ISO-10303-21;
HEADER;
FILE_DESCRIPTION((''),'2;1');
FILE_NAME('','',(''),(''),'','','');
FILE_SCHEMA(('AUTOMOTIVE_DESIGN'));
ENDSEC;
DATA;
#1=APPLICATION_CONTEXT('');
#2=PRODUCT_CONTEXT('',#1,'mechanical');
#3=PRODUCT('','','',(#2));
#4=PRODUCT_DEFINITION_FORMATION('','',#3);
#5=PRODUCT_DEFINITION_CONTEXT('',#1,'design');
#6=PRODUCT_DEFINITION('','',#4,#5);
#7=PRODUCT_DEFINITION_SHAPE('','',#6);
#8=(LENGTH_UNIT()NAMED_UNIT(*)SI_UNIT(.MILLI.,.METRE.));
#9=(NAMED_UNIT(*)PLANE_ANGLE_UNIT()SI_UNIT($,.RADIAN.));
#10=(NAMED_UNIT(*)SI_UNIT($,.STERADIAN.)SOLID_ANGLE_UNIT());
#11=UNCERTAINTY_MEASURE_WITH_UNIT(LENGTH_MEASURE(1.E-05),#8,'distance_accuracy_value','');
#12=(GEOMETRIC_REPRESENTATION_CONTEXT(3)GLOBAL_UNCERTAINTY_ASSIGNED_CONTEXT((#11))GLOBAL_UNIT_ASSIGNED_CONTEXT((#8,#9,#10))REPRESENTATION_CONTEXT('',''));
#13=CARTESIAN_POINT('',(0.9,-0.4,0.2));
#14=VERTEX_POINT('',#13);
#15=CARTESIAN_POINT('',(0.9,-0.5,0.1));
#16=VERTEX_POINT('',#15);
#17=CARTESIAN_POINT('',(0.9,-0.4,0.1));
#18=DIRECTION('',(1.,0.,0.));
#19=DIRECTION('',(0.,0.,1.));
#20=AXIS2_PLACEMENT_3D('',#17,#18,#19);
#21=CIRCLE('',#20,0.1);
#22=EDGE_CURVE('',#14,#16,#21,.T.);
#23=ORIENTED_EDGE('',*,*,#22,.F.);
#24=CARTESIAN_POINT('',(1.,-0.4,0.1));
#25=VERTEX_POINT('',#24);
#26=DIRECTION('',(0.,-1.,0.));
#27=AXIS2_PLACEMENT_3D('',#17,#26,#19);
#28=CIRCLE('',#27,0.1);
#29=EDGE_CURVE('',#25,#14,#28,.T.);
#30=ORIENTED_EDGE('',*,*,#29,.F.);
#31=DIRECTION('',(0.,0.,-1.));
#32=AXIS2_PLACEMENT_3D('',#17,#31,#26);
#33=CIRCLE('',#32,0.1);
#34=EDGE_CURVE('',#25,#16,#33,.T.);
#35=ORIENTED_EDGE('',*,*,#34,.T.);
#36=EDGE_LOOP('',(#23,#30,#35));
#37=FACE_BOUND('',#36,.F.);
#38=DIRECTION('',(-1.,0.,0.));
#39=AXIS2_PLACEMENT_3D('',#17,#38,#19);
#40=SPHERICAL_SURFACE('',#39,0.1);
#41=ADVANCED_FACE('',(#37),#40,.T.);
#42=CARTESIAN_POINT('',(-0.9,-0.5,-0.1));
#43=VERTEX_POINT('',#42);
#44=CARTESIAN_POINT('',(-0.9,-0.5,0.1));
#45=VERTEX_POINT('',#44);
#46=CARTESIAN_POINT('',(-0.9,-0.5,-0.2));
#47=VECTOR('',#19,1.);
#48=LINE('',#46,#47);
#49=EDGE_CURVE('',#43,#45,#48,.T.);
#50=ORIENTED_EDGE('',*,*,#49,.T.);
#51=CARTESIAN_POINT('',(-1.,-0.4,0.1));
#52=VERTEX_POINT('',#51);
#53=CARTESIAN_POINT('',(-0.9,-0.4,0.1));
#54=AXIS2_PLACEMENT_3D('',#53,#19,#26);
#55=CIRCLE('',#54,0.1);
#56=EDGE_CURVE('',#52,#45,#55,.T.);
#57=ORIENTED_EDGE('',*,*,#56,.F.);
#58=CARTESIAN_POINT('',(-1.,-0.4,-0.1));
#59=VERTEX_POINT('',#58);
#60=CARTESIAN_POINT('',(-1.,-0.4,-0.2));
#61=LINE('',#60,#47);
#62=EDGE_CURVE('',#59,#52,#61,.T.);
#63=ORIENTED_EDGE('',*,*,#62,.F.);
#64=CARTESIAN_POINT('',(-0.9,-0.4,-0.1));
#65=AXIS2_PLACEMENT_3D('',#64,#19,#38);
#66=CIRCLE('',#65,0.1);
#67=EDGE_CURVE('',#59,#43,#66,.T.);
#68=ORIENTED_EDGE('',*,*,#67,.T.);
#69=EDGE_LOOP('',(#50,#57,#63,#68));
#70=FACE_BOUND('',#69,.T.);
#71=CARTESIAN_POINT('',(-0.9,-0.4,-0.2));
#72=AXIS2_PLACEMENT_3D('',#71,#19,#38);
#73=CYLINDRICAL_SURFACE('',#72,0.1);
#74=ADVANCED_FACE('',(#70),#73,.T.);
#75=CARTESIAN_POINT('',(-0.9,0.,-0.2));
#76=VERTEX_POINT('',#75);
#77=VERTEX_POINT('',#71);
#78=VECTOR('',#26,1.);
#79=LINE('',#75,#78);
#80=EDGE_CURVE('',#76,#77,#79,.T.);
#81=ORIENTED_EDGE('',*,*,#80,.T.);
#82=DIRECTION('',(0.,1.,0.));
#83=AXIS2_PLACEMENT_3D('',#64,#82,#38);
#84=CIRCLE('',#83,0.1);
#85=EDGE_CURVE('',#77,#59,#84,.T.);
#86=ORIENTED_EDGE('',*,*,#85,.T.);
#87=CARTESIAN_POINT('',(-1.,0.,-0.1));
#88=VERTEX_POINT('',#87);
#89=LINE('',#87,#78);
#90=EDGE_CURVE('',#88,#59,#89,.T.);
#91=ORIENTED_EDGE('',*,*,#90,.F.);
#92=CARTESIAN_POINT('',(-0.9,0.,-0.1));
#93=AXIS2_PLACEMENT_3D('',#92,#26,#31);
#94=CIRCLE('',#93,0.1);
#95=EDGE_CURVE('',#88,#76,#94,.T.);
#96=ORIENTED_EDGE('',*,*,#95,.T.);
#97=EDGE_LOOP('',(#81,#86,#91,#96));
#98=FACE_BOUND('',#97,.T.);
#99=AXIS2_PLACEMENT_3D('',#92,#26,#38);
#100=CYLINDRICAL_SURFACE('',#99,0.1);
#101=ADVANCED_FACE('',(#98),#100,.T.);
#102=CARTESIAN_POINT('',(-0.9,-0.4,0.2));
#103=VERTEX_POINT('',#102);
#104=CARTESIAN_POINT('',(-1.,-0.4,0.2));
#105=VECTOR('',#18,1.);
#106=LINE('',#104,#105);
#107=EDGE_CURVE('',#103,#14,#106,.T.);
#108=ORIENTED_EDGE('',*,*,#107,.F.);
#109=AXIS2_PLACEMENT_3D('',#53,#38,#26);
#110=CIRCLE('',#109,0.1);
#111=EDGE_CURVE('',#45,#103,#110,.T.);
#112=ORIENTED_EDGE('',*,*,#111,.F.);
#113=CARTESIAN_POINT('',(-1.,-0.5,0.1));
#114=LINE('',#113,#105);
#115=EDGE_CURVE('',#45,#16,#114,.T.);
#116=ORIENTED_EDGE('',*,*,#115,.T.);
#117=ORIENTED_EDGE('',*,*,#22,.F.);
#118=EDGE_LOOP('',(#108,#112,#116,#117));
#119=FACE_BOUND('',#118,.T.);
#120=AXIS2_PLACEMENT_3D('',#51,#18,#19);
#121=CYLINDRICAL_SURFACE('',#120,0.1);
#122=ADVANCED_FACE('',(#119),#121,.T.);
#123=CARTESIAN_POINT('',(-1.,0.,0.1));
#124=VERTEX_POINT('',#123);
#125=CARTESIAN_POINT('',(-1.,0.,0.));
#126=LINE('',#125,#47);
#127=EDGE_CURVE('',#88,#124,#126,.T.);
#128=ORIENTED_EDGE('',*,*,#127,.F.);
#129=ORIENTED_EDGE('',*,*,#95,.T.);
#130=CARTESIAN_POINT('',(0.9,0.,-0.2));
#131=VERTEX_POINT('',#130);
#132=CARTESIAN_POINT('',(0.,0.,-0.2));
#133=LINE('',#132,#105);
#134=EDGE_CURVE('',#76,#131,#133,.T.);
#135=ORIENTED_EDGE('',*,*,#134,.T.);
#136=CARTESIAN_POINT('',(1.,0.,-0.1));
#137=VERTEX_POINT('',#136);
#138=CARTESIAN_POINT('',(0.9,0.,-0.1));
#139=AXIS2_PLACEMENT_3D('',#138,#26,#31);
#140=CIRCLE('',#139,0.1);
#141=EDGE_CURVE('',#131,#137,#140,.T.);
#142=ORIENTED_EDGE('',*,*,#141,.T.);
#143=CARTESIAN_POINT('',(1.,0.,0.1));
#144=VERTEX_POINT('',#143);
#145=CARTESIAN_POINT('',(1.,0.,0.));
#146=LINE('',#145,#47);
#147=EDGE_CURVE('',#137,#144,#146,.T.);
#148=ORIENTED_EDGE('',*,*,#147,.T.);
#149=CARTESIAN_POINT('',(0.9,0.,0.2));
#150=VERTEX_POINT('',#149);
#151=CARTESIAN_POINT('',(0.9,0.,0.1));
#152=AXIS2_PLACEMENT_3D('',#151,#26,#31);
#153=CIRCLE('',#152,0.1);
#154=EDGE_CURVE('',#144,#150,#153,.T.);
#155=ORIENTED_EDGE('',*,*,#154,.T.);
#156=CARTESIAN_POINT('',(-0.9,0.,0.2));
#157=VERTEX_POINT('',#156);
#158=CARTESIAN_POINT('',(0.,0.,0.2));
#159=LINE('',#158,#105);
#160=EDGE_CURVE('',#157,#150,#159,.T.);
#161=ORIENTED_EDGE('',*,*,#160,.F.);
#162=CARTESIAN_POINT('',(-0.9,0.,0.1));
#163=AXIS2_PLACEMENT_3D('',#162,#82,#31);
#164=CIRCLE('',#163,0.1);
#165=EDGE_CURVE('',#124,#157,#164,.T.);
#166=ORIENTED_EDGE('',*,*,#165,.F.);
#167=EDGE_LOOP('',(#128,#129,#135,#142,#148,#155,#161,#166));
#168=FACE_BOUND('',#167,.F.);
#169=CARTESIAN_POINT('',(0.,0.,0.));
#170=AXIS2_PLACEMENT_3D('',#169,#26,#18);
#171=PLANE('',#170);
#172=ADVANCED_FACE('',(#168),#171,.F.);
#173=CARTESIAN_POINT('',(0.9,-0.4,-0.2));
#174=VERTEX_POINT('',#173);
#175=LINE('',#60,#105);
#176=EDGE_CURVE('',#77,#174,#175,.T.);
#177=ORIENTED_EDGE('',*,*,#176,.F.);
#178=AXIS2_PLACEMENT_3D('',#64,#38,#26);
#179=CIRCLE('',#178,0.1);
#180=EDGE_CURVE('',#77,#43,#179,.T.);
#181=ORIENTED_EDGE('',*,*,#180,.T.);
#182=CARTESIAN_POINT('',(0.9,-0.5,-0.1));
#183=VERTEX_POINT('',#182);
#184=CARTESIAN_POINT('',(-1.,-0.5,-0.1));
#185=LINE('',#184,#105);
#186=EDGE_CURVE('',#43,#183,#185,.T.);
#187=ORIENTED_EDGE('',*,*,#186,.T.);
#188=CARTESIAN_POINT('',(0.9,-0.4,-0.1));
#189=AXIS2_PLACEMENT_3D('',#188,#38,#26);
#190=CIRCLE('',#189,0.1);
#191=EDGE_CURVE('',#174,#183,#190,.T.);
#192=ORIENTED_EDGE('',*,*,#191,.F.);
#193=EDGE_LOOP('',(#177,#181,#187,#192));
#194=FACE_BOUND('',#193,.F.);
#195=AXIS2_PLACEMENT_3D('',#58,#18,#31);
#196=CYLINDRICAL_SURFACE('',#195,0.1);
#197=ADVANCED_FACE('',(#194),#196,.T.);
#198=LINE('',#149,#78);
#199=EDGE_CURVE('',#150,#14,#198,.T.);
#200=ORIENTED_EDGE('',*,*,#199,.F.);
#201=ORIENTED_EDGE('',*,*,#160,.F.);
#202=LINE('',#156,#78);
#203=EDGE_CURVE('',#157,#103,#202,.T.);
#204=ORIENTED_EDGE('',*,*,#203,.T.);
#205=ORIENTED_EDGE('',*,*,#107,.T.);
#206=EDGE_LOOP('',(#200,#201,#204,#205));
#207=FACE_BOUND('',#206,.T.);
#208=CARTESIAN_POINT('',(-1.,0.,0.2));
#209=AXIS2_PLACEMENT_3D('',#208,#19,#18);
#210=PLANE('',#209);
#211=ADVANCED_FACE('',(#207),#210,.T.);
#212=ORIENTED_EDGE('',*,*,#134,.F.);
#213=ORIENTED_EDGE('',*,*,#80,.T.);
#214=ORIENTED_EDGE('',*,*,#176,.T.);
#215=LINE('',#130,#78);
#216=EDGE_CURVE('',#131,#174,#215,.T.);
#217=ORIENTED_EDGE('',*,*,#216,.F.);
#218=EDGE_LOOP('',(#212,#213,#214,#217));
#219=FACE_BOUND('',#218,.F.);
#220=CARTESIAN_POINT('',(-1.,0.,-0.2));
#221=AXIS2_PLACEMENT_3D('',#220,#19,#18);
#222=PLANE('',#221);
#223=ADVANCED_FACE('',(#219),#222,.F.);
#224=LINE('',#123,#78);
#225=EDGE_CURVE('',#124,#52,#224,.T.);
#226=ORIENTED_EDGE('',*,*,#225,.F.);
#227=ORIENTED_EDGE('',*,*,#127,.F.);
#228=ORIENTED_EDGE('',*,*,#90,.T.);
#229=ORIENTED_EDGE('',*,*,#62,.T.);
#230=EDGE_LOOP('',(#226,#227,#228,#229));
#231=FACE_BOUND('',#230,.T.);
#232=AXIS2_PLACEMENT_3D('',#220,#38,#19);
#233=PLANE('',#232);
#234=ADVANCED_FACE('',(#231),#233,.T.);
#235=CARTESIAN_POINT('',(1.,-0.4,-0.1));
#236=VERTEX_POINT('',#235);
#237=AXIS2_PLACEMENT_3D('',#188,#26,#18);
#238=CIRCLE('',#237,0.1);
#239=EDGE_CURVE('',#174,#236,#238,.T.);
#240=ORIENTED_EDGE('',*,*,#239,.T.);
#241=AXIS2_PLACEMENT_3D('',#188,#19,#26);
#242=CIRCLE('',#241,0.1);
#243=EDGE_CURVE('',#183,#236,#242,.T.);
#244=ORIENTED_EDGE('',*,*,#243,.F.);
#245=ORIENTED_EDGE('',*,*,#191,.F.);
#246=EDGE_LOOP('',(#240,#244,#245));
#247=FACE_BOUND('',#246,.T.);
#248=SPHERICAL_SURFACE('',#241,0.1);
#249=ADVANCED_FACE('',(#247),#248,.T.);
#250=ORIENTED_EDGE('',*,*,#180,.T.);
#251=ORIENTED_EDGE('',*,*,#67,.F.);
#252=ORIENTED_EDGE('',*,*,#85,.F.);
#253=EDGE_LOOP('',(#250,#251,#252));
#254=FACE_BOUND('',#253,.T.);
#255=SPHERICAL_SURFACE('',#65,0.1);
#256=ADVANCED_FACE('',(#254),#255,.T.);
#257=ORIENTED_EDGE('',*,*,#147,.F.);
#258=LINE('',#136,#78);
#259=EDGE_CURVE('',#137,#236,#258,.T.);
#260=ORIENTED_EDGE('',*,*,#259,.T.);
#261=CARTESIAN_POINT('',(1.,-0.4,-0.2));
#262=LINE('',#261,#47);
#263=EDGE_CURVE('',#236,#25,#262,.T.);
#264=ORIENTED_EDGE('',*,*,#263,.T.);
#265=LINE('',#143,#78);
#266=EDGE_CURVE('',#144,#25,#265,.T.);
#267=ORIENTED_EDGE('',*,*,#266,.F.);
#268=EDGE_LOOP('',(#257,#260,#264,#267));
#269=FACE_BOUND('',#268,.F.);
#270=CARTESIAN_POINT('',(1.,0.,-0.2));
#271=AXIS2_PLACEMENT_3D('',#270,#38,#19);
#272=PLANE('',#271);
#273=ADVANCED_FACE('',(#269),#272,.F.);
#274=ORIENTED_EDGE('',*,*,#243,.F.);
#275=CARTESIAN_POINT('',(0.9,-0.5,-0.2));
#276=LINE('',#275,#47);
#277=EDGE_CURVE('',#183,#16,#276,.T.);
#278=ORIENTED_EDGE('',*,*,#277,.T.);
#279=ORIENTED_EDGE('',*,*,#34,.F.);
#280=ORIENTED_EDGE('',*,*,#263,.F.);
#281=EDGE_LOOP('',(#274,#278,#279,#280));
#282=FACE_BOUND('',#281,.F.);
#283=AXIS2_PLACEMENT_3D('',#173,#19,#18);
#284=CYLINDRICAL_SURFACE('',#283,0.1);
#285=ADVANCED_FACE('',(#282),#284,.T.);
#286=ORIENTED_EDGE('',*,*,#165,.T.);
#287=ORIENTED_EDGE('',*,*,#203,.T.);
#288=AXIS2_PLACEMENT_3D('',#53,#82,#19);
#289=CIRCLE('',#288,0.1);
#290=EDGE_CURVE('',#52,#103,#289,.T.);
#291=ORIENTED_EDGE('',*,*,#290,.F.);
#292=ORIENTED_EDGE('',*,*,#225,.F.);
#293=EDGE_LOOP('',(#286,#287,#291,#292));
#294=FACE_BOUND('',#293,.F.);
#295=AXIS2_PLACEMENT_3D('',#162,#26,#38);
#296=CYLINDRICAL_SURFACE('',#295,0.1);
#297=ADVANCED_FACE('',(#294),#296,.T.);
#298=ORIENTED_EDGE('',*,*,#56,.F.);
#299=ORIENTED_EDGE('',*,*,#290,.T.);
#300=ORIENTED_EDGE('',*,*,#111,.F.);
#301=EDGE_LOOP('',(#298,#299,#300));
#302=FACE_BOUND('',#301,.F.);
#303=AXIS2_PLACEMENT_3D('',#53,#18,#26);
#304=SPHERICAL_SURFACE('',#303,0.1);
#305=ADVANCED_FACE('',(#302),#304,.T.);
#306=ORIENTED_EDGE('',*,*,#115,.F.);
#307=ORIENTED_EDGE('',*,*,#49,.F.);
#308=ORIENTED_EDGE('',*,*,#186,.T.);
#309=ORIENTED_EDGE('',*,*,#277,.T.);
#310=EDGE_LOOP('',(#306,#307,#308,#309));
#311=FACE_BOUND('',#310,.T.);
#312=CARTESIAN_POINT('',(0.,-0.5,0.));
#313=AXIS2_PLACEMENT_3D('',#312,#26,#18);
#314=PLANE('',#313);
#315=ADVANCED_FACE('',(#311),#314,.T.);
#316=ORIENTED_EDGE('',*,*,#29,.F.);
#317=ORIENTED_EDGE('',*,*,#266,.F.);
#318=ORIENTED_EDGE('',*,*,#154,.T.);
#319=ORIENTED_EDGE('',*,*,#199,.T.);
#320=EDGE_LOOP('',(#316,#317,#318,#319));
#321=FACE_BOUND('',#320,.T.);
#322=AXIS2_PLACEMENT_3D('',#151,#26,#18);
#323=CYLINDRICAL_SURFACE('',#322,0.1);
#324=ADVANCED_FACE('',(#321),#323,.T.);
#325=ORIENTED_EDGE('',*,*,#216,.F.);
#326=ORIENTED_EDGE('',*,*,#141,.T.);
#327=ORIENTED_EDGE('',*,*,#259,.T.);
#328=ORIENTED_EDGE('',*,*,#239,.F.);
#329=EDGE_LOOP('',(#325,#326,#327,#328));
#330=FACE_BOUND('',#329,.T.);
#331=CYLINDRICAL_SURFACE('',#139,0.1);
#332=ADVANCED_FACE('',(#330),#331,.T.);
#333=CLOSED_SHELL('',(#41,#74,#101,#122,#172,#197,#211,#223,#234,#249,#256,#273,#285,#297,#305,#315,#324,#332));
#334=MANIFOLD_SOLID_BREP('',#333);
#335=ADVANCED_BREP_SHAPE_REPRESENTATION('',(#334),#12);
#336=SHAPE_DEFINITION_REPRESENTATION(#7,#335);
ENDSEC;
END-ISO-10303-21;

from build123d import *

# Parameters (mm, degrees)
F0_W     = 2
F0_H     = 0.4
F1_DEPTH = 0.5
F2_R     = 0.1


with BuildPart() as f1:
    # F0 (on Front) → F1 (new body)
    with BuildSketch(Plane.XZ):
        Rectangle(F0_W, F0_H)
    extrude(amount=F1_DEPTH)

    # F2
    f2_edges = [f1.edges().sort_by_distance(p)[0] for p in [
        (0, -0.5, 0.2),
        (1, -0.25, 0.2),
        (1, -0.5, 0),
        (-1, -0.5, 0),
        (-1, -0.25, -0.2),
        (0, -0.5, -0.2),
        (1, -0.25, -0.2),
        (-1, -0.25, 0.2),
    ]]
    fillet(f2_edges, radius=F2_R)


solid = f1.part
